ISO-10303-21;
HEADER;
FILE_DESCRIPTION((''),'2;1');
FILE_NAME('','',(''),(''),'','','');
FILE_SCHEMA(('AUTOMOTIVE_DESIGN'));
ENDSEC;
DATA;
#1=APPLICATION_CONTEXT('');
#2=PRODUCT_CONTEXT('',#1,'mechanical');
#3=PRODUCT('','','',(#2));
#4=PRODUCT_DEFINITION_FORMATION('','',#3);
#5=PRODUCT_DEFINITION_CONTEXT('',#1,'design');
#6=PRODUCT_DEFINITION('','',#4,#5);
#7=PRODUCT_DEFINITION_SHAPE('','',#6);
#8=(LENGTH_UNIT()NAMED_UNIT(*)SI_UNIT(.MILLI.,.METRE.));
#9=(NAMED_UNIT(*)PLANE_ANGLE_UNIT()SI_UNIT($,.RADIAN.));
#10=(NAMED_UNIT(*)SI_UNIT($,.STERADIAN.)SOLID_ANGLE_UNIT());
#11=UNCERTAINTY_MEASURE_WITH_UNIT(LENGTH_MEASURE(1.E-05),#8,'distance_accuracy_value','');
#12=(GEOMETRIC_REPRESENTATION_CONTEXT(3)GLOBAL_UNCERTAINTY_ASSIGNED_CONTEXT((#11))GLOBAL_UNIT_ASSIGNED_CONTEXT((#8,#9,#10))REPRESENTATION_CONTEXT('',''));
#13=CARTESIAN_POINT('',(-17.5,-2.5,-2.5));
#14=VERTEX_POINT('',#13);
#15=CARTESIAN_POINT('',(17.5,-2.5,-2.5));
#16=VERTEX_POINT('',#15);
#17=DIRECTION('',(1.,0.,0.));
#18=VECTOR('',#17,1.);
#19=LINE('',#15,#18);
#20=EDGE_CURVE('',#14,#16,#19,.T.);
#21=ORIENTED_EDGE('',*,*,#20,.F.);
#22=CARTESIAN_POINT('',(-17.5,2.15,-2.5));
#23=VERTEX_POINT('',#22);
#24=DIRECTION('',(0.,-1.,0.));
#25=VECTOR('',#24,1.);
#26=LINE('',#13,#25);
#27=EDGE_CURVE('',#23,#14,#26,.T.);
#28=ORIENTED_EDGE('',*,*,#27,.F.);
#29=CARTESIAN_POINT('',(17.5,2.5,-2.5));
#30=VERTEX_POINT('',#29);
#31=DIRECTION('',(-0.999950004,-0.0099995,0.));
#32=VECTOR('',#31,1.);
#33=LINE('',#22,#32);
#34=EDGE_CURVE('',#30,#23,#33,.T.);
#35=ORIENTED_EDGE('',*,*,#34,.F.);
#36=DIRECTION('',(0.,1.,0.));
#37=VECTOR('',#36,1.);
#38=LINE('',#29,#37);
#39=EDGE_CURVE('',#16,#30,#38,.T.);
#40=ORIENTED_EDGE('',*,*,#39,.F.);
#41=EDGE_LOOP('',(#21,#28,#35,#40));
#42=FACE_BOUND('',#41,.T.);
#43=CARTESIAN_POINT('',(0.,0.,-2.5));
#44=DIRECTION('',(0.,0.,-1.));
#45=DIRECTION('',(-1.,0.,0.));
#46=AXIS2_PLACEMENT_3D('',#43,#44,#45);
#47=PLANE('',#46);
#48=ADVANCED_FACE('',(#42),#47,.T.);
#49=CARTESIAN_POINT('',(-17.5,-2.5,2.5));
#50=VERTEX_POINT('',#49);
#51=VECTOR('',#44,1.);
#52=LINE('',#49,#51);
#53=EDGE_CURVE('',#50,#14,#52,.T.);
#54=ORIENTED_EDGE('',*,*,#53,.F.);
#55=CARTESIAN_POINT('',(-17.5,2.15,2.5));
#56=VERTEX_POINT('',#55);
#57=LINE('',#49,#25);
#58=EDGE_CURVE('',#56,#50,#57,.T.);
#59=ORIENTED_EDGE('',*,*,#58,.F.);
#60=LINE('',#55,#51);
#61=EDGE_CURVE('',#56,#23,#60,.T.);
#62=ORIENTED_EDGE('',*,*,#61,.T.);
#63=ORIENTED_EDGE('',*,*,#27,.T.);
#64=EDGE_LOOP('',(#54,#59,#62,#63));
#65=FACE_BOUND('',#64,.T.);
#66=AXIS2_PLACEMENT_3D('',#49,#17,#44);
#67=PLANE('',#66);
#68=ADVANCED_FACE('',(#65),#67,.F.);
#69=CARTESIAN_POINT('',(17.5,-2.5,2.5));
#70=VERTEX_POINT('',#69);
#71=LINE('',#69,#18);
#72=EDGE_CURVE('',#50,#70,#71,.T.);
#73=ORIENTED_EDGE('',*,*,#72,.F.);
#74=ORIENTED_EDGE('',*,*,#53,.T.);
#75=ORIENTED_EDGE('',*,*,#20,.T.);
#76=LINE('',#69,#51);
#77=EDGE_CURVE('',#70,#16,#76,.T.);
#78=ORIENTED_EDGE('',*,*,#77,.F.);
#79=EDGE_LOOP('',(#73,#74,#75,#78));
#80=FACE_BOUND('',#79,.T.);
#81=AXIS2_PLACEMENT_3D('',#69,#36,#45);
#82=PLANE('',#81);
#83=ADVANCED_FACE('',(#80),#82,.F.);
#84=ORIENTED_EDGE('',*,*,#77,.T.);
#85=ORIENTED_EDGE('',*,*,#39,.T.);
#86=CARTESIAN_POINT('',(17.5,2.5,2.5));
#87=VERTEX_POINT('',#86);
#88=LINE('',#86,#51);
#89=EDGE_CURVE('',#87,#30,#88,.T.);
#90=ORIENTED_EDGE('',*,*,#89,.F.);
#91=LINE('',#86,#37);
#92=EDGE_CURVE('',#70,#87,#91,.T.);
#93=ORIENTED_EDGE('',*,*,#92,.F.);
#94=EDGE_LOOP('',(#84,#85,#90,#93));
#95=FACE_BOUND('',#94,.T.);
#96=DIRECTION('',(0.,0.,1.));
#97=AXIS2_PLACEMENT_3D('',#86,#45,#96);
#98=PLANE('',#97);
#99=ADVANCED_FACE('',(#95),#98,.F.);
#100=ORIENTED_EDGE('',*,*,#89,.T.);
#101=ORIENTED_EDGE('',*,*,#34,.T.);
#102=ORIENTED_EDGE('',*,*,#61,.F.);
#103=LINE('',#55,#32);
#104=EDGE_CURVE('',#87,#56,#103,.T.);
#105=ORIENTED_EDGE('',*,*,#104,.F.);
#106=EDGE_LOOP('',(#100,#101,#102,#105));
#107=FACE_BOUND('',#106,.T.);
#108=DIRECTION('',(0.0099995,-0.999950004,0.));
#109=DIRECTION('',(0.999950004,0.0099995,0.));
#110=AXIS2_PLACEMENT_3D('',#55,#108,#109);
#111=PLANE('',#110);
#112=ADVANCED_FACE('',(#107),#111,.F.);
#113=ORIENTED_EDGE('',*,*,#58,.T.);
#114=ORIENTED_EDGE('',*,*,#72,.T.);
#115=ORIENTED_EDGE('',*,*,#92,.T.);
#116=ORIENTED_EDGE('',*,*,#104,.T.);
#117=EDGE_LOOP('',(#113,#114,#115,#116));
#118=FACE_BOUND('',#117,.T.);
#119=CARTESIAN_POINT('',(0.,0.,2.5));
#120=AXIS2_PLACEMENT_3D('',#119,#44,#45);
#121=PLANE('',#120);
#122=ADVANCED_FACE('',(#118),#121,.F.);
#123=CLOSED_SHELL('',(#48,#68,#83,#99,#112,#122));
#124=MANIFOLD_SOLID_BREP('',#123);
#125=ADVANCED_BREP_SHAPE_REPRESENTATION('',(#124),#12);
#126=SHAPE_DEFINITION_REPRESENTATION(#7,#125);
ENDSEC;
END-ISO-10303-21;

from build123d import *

# Parameters (mm, degrees)
BOSS_EXTRUDE1_DEPTH = 2.5


with BuildPart() as part:
    # Sketch1 → Boss-Extrude1 (new, symmetric)
    with BuildSketch(Plane.XY):
        Polygon((17.5, 2.5), (17.5, -2.5), (-17.5, -2.5), (-17.5, 2.15), align=None)
    extrude(amount=BOSS_EXTRUDE1_DEPTH, both=True)


solid = part.part
